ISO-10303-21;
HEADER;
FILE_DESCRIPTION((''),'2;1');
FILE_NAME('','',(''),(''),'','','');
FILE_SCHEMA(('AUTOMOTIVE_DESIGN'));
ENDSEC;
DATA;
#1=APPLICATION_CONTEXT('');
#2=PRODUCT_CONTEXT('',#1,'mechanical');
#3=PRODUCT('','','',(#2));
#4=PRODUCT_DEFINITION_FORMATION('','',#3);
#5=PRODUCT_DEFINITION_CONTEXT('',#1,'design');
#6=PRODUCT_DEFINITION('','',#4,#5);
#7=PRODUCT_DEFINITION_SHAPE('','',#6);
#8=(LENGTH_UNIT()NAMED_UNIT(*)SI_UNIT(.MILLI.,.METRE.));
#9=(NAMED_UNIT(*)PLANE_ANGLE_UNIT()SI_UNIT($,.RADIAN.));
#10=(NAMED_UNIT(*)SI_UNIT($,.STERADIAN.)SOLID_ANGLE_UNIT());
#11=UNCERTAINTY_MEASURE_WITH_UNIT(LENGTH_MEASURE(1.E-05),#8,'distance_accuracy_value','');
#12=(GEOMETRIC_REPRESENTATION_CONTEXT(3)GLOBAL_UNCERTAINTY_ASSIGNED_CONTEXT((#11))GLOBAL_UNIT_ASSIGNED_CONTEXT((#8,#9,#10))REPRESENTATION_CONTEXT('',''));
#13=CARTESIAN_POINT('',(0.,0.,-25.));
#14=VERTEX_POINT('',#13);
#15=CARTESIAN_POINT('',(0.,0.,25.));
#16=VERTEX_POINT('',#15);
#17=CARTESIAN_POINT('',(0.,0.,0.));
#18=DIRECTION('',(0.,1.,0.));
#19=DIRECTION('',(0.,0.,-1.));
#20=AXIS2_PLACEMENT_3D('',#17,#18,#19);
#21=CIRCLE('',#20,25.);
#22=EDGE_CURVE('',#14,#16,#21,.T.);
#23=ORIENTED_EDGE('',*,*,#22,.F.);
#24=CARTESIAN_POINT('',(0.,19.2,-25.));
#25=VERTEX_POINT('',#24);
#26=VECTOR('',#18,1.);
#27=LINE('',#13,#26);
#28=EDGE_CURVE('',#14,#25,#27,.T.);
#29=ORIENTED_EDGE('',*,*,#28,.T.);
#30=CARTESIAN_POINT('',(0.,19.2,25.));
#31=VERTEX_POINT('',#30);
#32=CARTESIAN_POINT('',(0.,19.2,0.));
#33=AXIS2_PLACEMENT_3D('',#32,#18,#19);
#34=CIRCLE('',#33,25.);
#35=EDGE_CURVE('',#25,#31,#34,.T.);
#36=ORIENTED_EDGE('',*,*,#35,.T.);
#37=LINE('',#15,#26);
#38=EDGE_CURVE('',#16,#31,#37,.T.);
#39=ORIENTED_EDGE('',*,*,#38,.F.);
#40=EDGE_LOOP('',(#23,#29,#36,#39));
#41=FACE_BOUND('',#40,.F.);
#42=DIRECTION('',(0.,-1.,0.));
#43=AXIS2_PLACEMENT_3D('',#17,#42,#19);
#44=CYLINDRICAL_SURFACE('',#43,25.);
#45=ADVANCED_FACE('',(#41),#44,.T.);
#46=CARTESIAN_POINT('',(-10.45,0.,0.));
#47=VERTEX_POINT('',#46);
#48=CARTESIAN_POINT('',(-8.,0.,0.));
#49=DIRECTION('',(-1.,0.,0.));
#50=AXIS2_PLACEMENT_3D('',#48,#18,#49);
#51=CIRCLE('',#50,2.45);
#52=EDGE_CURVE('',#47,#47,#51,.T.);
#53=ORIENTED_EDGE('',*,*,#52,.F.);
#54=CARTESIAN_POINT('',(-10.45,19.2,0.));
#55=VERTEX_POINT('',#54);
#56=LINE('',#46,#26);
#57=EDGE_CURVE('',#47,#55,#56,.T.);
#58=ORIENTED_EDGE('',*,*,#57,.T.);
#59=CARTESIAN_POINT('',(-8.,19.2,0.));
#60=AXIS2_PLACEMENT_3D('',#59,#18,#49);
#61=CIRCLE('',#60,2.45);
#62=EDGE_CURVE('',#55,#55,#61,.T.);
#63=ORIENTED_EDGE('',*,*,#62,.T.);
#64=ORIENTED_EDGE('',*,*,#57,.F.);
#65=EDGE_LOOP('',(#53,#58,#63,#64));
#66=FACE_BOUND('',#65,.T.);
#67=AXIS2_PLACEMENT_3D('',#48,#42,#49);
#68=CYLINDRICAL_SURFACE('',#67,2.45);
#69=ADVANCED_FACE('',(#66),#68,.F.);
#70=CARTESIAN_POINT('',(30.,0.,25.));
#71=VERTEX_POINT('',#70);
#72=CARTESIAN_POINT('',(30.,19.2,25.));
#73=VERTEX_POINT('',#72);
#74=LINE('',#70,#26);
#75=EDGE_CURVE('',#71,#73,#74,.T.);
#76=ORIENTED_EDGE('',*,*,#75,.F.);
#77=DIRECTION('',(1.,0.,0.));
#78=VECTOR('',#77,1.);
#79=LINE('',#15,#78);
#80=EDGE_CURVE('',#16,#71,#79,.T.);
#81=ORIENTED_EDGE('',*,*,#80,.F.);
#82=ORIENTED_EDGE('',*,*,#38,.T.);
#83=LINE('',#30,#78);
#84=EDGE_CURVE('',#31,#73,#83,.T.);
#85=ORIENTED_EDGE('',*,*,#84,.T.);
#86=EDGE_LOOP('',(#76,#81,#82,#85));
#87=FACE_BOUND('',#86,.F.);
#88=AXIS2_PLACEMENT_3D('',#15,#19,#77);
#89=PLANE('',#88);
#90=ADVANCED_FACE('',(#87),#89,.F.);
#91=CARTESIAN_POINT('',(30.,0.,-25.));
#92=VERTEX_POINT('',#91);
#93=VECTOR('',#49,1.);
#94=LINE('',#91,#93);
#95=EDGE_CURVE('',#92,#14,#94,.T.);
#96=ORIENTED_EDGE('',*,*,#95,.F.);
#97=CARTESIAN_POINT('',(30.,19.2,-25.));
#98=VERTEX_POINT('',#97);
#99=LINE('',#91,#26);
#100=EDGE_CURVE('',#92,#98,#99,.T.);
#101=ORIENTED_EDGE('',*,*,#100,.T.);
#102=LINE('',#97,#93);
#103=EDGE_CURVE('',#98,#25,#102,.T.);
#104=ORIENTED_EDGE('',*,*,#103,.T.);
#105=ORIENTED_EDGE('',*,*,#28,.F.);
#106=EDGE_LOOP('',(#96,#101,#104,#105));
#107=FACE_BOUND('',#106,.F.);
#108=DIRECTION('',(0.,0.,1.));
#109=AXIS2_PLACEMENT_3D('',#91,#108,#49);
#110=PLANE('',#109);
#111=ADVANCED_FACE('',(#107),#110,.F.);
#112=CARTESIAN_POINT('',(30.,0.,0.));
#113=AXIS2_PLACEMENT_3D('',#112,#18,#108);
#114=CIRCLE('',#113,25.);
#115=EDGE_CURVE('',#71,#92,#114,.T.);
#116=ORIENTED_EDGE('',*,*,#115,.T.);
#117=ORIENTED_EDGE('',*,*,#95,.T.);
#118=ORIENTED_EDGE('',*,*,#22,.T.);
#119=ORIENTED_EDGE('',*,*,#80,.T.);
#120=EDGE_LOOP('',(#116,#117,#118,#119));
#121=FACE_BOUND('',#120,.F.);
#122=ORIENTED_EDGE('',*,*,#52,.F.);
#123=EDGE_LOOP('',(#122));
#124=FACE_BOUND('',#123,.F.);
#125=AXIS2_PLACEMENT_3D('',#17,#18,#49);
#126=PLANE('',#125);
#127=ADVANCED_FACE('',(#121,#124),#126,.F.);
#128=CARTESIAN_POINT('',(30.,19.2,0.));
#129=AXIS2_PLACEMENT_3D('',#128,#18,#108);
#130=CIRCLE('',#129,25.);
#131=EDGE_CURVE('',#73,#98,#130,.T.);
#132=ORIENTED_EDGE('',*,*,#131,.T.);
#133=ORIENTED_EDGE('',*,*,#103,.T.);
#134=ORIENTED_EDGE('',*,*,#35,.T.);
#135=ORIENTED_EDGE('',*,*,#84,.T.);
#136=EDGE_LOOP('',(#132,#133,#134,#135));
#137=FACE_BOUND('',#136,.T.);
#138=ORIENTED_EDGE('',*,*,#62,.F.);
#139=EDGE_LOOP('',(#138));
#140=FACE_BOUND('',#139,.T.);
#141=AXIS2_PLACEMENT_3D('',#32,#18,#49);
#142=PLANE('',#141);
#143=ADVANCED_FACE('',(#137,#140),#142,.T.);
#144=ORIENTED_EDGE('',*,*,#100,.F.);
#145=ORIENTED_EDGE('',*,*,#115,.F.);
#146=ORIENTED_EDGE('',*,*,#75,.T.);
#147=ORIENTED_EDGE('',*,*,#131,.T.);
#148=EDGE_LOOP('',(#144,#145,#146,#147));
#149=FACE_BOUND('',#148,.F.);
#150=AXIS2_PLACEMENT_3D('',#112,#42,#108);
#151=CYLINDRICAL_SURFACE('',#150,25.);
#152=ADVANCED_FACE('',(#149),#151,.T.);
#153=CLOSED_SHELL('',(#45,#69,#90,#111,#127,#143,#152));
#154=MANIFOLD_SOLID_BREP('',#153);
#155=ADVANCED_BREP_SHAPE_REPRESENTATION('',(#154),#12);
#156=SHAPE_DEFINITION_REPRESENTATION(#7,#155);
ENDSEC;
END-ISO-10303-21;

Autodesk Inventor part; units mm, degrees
ref_plane "YZ Plane" through (0, 0, 0) normal (1, 0, 0) x (0, 1, 0)
ref_plane "XZ Plane" through (0, 0, 0) normal (0, 1, 0) x (-1, 0, 0)
ref_plane "XY Plane" through (0, 0, 0) normal (0, 0, 1) x (1, 0, 0)
sketch "Sketch1" plane through (0, 0, 0) normal (0, 1, 0) x (-1, 0, 0)
  line L0 (0, 0) -> (-30, 0) construction
  line L1 (0, 25) -> (-30, 25)
  line L2 (-30, -25) -> (0, -25)
  arc A0 (0, -25) -> (0, 25) centre (0, 0) ccw
  arc A1 (-30, 25) -> (-30, -25) centre (-30, 0) ccw
  circle A2 centre (8, 0) radius 2.45
  line L3 (0, 0) -> (25, 0) construction
  circle A3 centre (8, 0) radius 22.5 construction
  circle A4 centre (8, 0) radius 15 construction
  point P0 (-15, 0)
  dimension "d26" = 50
  dimension "d27" = 30
  dimension "d28" = 4.9
  dimension "d29" = 8
  dimension "d30" = 17
  dimension "d31" = 45
  dimension "d32" = 30
extrude "Extrusion6" add sketch "Sketch1" along normal blind 19.2
equation "\"d23\" = printing_w"
equation "\"blade_w\" = 0.3"
equation "\"calib_w\" = 0.3"
equation "\"print_fit_w\" = 0.2"
equation "\"printing_w\" = -calib_w + nominal_w - blade_w - print_fit_w"
equation "\"nominal_w\" = 20"
properties part number "071_0202_RollCutter20mmCenter"
